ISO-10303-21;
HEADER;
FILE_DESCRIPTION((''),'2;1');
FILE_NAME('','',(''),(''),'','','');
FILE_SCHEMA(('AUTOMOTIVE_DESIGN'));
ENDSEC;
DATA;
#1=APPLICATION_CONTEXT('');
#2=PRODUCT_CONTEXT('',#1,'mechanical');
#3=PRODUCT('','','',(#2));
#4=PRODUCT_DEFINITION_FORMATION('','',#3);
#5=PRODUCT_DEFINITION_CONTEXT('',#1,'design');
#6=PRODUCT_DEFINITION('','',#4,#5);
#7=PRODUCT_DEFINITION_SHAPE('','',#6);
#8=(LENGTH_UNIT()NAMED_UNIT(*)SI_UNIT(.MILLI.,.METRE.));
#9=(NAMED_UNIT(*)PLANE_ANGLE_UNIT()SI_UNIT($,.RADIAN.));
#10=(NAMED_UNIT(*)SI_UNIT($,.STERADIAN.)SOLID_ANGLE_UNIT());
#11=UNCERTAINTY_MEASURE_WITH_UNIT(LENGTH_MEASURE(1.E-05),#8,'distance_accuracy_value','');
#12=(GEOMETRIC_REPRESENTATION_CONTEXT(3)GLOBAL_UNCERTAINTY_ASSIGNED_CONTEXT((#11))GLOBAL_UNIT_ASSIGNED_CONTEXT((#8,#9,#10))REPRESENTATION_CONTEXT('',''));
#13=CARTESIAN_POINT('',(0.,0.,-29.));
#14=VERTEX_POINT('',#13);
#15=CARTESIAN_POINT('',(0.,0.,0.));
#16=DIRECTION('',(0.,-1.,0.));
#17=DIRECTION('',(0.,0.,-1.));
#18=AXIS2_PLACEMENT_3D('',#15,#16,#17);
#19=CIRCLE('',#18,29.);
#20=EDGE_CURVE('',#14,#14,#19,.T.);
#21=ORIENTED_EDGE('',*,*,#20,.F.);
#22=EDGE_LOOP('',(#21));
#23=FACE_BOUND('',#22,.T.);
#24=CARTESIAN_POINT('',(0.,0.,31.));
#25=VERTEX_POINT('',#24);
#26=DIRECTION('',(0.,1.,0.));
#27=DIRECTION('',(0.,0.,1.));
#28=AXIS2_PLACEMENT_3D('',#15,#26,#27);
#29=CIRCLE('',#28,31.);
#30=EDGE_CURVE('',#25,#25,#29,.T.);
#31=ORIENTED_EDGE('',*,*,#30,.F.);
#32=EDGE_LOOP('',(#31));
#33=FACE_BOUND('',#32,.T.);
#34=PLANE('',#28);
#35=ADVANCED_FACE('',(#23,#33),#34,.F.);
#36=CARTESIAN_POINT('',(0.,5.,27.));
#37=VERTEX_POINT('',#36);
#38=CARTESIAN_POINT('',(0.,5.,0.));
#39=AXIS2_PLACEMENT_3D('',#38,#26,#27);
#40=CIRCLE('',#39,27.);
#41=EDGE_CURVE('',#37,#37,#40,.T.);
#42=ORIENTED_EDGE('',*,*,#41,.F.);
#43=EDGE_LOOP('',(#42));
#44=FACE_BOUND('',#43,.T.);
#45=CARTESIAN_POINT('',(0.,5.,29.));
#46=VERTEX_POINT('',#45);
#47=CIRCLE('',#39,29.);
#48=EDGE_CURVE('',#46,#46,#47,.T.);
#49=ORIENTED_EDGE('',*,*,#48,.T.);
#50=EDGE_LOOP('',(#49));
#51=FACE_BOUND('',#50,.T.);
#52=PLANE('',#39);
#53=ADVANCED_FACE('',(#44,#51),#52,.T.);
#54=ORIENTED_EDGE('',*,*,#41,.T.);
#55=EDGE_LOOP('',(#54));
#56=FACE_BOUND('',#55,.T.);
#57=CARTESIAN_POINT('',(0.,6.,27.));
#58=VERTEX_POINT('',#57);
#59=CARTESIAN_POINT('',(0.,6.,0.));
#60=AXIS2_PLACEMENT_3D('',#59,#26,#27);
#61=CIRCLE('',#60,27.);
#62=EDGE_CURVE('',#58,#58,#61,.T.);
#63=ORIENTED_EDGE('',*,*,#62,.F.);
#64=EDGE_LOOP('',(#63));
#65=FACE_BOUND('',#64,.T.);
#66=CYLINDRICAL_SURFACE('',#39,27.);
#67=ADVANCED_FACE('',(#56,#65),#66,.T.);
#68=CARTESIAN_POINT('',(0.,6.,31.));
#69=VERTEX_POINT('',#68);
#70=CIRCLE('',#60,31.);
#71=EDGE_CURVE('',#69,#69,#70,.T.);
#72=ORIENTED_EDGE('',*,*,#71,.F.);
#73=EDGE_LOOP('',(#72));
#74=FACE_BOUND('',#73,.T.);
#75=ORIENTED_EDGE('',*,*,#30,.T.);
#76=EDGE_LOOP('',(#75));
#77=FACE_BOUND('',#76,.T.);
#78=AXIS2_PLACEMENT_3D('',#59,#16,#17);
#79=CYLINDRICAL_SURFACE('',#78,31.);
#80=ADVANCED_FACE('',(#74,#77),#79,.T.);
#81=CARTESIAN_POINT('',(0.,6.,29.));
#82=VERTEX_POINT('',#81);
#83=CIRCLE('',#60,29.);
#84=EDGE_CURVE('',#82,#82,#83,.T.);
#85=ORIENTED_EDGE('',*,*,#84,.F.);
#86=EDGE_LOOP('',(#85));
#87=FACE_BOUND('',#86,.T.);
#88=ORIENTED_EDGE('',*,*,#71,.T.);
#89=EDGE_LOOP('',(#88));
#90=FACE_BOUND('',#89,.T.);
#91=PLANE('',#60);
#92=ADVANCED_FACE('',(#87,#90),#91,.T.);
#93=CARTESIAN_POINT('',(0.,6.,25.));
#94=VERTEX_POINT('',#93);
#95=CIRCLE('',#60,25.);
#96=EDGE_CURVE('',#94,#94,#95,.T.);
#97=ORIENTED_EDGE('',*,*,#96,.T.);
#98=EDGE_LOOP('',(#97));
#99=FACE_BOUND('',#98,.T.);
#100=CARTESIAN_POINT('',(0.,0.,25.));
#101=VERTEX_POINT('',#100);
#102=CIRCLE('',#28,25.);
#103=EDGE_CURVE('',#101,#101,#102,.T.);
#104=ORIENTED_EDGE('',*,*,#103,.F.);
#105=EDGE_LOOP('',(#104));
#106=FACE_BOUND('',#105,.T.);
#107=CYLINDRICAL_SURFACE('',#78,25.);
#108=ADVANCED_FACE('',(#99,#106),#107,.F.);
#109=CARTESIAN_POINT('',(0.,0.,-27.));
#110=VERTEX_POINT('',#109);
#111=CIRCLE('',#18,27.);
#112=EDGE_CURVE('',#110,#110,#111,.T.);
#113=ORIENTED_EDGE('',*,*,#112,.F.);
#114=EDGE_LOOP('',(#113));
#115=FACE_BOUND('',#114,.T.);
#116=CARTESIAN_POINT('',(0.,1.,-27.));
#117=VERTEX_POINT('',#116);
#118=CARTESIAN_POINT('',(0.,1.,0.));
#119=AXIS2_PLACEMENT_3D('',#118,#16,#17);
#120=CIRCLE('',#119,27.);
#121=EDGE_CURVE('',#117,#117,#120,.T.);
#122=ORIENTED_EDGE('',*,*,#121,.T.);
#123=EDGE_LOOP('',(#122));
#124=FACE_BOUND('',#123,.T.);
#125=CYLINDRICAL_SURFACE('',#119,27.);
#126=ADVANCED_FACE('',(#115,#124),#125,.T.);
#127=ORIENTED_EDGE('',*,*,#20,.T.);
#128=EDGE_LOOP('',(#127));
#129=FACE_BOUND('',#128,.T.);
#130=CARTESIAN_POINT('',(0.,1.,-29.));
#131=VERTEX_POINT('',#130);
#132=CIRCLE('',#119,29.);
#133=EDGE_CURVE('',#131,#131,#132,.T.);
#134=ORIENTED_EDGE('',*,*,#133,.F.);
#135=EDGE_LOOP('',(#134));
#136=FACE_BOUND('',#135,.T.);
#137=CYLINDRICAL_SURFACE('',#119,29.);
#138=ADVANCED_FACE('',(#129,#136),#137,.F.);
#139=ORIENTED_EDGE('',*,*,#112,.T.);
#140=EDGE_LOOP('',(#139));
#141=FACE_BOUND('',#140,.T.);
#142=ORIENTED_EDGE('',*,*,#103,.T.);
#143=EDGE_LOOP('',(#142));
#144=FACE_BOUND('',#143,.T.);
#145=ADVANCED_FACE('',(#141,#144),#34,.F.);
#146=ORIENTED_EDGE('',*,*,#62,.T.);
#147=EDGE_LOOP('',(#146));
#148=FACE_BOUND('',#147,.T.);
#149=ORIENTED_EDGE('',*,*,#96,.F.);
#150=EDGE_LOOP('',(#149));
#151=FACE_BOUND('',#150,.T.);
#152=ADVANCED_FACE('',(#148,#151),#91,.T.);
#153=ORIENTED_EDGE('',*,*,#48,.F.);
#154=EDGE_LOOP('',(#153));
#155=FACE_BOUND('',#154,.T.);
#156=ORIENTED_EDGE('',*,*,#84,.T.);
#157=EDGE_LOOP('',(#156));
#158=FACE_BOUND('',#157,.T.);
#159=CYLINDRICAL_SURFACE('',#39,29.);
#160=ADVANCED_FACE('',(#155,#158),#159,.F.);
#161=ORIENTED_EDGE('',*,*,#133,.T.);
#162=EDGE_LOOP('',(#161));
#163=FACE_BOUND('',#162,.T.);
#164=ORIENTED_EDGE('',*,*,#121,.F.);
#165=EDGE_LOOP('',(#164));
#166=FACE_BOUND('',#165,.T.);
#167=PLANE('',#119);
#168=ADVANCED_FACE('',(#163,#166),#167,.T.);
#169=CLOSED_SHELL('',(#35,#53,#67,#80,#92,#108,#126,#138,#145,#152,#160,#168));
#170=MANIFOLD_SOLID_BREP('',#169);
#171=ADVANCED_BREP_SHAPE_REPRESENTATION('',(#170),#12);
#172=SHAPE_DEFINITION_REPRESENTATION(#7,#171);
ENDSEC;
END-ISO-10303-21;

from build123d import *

# Parameters (mm, degrees)
SKETCH1_R           = 31
SKETCH1_R_2         = 25
BOSS_EXTRUDE1_DEPTH = 6
SKETCH2_R           = 29
SKETCH2_R_2         = 27
CUT_EXTRUDE1_DEPTH  = 1
SKETCH3_R           = 29
SKETCH3_R_2         = 27
CUT_EXTRUDE2_DEPTH  = 1


with BuildPart() as part:
    # Sketch1 → Boss-Extrude1 (new body)
    with BuildSketch(Plane(origin=(0, 0, 0), x_dir=(1, 0, 0), z_dir=(0, 1, 0))):
        Circle(SKETCH1_R)
        Circle(SKETCH1_R_2, mode=Mode.SUBTRACT)
    extrude(amount=BOSS_EXTRUDE1_DEPTH)

    # Sketch2 → Cut-Extrude1 (cut)
    with BuildSketch(Plane(origin=(0, 6, 0), x_dir=(1, 0, 0), z_dir=(0, 1, 0))):
        Circle(SKETCH2_R)
        Circle(SKETCH2_R_2, mode=Mode.SUBTRACT)
    extrude(amount=-CUT_EXTRUDE1_DEPTH, mode=Mode.SUBTRACT)

    # Sketch3 → Cut-Extrude2 (cut)
    with BuildSketch(Plane.XZ):
        Circle(SKETCH3_R)
        Circle(SKETCH3_R_2, mode=Mode.SUBTRACT)
    extrude(amount=-CUT_EXTRUDE2_DEPTH, mode=Mode.SUBTRACT)


solid = part.part
